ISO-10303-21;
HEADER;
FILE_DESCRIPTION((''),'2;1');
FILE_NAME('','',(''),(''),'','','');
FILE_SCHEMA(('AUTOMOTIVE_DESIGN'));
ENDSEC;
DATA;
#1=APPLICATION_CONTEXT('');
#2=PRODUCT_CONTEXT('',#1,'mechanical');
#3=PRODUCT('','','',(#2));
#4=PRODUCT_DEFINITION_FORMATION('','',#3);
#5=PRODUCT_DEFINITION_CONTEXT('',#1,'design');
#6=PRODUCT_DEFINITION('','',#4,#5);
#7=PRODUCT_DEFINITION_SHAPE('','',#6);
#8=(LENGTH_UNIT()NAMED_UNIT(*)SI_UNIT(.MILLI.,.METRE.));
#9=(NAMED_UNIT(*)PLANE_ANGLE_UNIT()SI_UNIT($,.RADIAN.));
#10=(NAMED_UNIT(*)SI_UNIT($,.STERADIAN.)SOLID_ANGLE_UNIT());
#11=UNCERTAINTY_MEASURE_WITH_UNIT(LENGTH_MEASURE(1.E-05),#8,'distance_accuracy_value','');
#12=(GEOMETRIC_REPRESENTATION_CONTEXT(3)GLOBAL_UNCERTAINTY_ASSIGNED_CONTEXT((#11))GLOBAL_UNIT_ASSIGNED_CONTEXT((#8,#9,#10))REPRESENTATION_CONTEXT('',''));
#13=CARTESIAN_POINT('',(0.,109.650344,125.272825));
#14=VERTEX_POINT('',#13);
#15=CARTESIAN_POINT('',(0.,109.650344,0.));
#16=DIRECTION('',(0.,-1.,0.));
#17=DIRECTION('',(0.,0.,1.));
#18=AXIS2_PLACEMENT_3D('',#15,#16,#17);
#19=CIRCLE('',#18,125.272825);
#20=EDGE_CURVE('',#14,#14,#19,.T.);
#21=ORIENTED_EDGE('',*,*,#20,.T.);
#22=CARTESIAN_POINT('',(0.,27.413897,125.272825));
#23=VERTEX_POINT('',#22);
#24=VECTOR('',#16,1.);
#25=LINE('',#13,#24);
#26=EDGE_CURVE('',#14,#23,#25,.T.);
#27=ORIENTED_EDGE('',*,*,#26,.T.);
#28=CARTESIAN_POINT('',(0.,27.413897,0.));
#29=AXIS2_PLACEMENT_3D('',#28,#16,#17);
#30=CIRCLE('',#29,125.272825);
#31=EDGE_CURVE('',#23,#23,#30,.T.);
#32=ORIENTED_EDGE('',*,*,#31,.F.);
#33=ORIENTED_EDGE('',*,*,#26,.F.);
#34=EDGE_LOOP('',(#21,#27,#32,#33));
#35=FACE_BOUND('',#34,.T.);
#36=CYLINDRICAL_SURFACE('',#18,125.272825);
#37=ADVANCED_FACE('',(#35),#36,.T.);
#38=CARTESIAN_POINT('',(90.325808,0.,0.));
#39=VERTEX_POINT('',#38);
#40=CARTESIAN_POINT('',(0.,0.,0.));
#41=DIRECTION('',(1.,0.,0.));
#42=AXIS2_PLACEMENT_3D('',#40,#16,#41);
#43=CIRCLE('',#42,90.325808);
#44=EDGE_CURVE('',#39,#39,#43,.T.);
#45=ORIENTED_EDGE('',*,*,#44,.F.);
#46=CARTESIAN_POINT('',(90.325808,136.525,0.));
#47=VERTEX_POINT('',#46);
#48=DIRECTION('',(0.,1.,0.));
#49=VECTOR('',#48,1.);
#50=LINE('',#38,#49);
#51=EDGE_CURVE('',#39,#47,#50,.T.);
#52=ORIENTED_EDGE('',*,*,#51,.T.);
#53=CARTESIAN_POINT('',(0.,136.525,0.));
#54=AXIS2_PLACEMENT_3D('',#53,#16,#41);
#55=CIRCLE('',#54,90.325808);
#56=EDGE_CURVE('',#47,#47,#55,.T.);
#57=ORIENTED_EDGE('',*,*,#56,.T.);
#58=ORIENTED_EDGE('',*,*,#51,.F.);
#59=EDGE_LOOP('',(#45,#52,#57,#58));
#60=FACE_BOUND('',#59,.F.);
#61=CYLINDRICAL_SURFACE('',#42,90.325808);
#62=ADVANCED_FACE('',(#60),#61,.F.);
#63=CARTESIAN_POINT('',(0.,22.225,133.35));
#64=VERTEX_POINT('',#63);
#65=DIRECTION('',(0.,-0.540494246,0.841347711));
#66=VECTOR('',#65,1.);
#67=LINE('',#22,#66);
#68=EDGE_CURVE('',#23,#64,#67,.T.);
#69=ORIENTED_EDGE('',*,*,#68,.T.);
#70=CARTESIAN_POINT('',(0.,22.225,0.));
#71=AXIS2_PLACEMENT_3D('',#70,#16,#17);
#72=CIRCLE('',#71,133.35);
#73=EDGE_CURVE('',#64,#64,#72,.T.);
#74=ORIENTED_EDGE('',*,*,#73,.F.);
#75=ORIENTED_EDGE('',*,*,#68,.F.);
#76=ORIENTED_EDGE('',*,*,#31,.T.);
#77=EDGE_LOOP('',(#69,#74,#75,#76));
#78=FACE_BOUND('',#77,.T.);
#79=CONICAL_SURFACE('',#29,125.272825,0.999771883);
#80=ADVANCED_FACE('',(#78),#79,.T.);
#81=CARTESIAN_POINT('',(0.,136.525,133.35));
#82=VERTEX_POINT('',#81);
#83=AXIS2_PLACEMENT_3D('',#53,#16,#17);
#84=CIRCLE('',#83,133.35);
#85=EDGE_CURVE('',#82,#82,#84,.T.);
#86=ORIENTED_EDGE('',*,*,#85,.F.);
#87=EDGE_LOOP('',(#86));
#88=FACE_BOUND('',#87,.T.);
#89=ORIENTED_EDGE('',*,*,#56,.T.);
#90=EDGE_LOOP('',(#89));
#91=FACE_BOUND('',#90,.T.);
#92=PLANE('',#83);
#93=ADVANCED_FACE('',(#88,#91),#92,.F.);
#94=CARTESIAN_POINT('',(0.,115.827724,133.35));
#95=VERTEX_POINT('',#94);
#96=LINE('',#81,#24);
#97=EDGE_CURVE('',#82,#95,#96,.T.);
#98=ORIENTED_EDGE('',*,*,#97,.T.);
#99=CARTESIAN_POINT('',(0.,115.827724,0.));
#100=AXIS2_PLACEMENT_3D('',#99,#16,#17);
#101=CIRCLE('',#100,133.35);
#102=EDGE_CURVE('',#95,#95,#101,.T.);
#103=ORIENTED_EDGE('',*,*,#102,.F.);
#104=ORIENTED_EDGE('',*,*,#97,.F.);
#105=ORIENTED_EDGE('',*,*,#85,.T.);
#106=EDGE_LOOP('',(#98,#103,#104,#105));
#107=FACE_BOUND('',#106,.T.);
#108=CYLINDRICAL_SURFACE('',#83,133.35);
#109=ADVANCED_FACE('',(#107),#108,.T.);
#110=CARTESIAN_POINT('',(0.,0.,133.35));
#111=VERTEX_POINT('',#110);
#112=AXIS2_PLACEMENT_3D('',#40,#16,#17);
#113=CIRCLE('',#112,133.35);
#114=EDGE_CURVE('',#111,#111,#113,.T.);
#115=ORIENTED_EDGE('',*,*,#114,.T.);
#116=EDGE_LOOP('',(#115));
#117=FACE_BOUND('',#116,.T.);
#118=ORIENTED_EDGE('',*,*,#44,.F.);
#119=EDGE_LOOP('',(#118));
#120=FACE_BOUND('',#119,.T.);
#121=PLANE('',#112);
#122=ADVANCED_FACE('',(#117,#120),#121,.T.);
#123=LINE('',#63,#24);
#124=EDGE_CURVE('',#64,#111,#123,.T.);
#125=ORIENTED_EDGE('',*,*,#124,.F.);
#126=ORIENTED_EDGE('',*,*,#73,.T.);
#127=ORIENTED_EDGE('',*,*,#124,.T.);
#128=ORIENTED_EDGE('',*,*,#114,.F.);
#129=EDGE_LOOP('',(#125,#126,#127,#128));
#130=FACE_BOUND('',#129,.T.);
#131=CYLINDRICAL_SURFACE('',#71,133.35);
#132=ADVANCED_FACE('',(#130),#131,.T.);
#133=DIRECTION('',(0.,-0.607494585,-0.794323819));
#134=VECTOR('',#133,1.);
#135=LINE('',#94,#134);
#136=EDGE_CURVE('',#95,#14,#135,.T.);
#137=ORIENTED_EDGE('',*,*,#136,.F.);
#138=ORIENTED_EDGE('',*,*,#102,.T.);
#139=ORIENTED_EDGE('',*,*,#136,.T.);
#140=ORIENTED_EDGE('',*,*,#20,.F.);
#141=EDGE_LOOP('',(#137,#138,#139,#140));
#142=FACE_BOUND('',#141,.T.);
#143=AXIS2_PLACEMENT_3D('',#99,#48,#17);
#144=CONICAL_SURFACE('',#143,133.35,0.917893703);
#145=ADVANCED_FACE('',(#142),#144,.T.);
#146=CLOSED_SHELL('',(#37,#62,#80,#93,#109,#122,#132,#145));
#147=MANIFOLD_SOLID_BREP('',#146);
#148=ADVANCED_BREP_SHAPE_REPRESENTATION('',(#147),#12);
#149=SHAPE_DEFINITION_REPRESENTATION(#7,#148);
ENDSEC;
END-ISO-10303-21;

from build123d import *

# Parameters (mm, degrees)
F2_R     = 90.325808
F3_DEPTH = 136.526


with BuildPart() as f1:
    # F0 (on Right) → F1 (revolve)
    with BuildSketch(Plane.YZ):
        Polygon((0, 133.35), (0, 0), (136.525, 0), (136.525, 133.35), (115.827724, 133.35), (109.650344, 125.272825), (27.413897, 125.272825), (22.225, 133.35), align=None)
    revolve(axis=Axis((0, 68.2625, 0), (0, -1, 0)))

    # F2 (on face) → F3 (cut, through all)
    with BuildSketch(Plane.XZ):
        Circle(F2_R)
    extrude(amount=-F3_DEPTH, mode=Mode.SUBTRACT)


solid = f1.part
